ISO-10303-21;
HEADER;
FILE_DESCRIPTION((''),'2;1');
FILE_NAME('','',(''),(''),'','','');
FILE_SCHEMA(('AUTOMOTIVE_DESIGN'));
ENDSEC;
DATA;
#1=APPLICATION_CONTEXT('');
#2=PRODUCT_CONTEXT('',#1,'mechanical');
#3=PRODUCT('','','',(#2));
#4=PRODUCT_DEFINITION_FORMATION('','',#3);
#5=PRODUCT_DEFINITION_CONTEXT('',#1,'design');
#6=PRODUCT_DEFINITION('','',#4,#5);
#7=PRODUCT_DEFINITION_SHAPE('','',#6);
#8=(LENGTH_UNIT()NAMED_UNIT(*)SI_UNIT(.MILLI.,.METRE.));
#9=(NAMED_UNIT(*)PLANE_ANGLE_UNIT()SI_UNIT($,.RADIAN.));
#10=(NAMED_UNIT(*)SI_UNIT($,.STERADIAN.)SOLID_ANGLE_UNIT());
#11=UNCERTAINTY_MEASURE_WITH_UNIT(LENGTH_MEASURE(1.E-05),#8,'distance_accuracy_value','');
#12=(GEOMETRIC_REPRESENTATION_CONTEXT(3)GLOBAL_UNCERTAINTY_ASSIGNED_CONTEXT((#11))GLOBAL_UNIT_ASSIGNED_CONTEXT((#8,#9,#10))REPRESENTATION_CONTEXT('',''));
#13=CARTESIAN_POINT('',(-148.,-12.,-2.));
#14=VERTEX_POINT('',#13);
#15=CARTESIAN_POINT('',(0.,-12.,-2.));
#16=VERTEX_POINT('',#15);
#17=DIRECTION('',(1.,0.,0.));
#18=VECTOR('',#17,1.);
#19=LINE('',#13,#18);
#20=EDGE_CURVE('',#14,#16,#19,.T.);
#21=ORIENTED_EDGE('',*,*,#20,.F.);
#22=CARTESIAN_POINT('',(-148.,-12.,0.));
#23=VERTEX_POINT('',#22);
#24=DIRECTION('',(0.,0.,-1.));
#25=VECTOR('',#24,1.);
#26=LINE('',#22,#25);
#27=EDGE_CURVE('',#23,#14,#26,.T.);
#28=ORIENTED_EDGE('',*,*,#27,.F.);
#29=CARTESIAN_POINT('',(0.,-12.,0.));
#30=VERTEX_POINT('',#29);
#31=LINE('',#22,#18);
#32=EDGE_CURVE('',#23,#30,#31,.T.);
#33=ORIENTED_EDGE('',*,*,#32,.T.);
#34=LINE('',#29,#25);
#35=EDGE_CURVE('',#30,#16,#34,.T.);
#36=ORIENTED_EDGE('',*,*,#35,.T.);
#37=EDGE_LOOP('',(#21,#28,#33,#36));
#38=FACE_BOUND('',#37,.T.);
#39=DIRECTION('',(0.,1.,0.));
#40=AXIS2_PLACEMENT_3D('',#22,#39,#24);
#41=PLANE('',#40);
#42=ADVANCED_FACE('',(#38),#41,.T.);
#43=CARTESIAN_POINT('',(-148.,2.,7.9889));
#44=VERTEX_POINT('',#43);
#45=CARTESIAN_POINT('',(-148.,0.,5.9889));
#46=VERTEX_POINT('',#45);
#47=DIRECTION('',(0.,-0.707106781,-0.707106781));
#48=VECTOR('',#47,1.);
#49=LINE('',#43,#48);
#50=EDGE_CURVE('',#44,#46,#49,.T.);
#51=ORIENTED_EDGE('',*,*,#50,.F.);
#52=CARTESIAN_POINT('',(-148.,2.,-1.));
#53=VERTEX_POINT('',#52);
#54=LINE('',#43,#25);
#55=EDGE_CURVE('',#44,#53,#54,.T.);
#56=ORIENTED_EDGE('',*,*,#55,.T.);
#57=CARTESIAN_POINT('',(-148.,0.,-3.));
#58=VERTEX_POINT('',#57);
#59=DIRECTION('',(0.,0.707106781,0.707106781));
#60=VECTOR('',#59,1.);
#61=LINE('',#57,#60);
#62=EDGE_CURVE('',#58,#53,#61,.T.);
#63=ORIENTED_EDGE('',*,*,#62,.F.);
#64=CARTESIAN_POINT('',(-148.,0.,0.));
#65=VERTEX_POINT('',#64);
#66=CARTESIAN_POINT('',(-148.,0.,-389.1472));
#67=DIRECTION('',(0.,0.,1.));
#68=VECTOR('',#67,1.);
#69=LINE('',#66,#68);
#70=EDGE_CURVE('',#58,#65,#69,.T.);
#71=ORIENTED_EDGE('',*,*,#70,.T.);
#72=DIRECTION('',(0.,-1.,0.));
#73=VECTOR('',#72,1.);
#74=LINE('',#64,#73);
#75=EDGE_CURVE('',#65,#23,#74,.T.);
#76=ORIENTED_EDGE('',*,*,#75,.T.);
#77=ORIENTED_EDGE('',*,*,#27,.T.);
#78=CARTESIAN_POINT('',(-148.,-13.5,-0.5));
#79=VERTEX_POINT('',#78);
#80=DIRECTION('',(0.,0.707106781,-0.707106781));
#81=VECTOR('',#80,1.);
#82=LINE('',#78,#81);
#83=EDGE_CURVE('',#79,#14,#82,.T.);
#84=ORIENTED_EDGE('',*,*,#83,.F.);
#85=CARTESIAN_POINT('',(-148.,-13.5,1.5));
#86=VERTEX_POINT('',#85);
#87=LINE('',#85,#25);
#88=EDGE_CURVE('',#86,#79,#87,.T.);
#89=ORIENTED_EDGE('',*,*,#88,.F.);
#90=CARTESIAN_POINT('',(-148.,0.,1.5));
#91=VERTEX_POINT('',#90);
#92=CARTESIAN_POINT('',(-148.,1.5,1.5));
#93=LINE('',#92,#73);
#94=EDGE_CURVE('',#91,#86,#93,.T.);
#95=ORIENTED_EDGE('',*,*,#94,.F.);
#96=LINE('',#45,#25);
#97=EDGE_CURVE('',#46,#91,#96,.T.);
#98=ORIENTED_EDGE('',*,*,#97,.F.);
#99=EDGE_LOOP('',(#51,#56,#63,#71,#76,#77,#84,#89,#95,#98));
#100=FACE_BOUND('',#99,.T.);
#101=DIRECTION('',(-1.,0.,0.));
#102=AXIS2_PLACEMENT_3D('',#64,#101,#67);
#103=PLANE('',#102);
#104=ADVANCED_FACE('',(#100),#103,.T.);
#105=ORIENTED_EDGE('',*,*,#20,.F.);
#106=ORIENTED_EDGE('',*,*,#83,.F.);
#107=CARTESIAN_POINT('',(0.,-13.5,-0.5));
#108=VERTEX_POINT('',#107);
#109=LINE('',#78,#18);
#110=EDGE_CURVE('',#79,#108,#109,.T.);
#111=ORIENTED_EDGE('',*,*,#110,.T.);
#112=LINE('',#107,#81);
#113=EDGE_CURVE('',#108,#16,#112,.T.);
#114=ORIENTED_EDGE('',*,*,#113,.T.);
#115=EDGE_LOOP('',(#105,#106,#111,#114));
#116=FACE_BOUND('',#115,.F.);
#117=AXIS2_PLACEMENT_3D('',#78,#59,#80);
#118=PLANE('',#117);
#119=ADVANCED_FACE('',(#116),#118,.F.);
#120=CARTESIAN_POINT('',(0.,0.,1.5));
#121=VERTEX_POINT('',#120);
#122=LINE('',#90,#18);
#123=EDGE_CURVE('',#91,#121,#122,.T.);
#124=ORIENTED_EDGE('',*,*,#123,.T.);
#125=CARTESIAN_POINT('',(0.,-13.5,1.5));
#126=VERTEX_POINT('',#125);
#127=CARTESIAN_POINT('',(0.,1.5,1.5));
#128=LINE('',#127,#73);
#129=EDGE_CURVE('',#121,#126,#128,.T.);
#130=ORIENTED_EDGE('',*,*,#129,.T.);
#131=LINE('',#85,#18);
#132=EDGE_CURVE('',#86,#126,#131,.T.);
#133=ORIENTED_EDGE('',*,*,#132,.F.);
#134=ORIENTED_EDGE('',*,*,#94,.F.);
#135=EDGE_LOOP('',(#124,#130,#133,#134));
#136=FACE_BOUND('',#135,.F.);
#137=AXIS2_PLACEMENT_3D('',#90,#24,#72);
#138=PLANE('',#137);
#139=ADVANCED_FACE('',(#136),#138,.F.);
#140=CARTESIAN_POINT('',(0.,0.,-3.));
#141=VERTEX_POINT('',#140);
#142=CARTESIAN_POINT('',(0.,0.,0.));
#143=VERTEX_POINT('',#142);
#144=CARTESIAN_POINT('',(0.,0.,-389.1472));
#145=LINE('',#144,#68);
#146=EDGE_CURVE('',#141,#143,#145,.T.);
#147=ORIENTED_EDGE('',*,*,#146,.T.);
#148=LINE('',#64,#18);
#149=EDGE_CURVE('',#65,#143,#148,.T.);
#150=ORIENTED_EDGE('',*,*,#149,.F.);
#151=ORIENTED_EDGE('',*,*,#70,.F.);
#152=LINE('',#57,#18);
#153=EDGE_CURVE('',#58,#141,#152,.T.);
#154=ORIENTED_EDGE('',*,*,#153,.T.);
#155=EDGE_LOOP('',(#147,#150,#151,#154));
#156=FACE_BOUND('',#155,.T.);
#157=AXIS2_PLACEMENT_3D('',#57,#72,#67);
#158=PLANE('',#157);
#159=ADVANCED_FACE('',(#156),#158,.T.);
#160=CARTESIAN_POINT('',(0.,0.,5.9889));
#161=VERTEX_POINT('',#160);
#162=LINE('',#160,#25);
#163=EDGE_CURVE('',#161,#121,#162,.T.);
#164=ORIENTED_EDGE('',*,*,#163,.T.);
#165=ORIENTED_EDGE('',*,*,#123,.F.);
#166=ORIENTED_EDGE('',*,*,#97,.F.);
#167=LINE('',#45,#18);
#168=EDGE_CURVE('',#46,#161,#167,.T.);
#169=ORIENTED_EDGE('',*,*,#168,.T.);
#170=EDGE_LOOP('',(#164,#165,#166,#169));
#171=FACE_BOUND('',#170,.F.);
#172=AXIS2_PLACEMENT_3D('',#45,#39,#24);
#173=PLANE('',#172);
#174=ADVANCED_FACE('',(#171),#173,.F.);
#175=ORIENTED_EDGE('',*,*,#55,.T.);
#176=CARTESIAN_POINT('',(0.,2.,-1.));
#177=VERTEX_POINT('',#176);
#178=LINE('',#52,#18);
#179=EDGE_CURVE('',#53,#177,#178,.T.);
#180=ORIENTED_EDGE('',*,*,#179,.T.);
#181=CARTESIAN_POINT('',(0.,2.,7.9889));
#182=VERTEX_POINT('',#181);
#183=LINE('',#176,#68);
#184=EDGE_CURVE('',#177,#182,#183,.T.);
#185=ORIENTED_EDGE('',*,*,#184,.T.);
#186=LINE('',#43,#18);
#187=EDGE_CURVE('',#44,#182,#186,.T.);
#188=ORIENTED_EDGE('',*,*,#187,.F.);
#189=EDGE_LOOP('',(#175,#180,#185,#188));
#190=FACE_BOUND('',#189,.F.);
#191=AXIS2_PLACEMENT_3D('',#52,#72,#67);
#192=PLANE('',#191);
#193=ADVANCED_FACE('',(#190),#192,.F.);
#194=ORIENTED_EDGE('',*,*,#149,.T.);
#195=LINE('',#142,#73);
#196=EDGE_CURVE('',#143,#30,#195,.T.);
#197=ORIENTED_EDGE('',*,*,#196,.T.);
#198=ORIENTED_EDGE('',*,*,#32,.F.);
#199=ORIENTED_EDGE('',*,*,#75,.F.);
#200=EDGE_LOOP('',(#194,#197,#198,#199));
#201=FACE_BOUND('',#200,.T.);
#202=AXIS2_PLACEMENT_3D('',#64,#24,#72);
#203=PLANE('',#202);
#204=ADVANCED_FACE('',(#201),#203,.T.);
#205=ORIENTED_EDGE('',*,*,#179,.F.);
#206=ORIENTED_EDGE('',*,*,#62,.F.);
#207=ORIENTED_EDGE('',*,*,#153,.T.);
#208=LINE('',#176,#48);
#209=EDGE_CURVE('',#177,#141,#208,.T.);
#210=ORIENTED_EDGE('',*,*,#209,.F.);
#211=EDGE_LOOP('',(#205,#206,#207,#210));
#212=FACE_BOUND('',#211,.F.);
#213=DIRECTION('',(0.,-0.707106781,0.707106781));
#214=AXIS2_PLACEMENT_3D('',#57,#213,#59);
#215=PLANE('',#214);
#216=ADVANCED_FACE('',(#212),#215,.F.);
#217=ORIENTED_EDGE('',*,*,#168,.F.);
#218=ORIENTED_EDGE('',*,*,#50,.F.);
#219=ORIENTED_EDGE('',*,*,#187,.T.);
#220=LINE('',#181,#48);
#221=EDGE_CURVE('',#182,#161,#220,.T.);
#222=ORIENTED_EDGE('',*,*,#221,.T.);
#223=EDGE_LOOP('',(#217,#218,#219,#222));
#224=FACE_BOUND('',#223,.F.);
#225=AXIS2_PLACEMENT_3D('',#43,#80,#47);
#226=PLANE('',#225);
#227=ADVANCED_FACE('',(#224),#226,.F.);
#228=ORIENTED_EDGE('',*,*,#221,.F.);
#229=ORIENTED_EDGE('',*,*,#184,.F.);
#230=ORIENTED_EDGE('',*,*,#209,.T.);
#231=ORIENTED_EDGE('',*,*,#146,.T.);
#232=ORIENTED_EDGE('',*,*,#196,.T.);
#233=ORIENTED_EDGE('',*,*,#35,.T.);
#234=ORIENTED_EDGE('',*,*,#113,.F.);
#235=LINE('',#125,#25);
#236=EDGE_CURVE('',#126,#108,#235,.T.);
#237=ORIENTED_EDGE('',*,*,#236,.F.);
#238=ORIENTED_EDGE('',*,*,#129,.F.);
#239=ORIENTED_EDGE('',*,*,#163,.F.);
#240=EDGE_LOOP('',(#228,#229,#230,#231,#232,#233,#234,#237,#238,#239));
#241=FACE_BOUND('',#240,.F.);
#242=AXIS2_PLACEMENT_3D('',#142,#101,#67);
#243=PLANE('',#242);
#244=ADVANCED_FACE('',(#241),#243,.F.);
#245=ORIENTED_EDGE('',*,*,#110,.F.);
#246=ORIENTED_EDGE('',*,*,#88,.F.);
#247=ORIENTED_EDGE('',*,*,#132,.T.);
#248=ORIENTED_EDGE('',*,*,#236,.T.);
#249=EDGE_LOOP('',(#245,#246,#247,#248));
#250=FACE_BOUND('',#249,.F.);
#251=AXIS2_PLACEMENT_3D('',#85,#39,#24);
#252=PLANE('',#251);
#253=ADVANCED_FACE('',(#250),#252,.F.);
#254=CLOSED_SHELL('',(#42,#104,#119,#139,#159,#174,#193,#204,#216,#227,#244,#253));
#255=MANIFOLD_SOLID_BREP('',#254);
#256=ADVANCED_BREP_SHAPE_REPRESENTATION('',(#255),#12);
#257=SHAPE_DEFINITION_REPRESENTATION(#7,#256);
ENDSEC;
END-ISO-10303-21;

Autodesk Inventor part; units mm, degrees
ref_plane "YZ Plane" through (0, 0, 0) normal (1, 0, 0) x (0, 1, 0)
ref_plane "XZ Plane" through (0, 0, 0) normal (0, 1, 0) x (-1, 0, 0)
ref_plane "Work Plane1" through (-148, 0, 0) normal (-1, 0, 0) x (0, 0, 1)
sketch "Sketch1" plane through (-148, 0, 0) normal (-1, 0, 0) x (0, 0, 1)
  line L0 (-389.1472, 0) -> (0, 0) projected
  line L1 (-389.1472, 0) -> (-389.1472, -12) projected
  line L2 (0, -12) -> (-389.1472, -12) projected
  line L3 (0, 0) -> (0, -12) projected
  line L4 (1.5, -13.5) -> (-390.6472, -13.5)
  line L5 (-390.6472, -13.5) -> (-390.6472, 1.5)
  line L6 (-390.6472, 1.5) -> (1.5, 1.5)
  line L7 (1.5, 1.5) -> (1.5, -13.5)
  line L8 (-0.5, -13.5) -> (-2, -12)
  line L9 (-3, 0) -> (-1, 2)
  line L10 (-1, 2) -> (3.9889, 2)
  line L11 (3.9889, 2) -> (5.9889, 0)
  line L12 (5.9889, 0) -> (1.5, 0)
  line L13 (3.9889, 2) -> (7.9889, 2)
  line L14 (7.9889, 2) -> (5.9889, 0)
  point P0 (2.9889, 0)
  dimension "d1" = 1.5
  dimension "d2" = 45
  dimension "d3" = 3
  dimension "d4" = 3
  dimension "d5" = 2
  dimension "d6" = 45
  dimension "d7" = 2
ref_plane "Work Plane2" through (0, -12, -389.1472) normal (1, 0, 0) x (0, 1, 0)
extrude "Extrusion1" add sketch "Sketch1" against normal up to surface (148 mm away) contours L9 L6 L7 L4 L8 L2 L3 L0 | L9 L10 L11 L12 L7 L6 | L13 L14 L11
equation "\"d4\" = d3"
equation "\"d6\" = d2"
properties part number "plastic_lip"
